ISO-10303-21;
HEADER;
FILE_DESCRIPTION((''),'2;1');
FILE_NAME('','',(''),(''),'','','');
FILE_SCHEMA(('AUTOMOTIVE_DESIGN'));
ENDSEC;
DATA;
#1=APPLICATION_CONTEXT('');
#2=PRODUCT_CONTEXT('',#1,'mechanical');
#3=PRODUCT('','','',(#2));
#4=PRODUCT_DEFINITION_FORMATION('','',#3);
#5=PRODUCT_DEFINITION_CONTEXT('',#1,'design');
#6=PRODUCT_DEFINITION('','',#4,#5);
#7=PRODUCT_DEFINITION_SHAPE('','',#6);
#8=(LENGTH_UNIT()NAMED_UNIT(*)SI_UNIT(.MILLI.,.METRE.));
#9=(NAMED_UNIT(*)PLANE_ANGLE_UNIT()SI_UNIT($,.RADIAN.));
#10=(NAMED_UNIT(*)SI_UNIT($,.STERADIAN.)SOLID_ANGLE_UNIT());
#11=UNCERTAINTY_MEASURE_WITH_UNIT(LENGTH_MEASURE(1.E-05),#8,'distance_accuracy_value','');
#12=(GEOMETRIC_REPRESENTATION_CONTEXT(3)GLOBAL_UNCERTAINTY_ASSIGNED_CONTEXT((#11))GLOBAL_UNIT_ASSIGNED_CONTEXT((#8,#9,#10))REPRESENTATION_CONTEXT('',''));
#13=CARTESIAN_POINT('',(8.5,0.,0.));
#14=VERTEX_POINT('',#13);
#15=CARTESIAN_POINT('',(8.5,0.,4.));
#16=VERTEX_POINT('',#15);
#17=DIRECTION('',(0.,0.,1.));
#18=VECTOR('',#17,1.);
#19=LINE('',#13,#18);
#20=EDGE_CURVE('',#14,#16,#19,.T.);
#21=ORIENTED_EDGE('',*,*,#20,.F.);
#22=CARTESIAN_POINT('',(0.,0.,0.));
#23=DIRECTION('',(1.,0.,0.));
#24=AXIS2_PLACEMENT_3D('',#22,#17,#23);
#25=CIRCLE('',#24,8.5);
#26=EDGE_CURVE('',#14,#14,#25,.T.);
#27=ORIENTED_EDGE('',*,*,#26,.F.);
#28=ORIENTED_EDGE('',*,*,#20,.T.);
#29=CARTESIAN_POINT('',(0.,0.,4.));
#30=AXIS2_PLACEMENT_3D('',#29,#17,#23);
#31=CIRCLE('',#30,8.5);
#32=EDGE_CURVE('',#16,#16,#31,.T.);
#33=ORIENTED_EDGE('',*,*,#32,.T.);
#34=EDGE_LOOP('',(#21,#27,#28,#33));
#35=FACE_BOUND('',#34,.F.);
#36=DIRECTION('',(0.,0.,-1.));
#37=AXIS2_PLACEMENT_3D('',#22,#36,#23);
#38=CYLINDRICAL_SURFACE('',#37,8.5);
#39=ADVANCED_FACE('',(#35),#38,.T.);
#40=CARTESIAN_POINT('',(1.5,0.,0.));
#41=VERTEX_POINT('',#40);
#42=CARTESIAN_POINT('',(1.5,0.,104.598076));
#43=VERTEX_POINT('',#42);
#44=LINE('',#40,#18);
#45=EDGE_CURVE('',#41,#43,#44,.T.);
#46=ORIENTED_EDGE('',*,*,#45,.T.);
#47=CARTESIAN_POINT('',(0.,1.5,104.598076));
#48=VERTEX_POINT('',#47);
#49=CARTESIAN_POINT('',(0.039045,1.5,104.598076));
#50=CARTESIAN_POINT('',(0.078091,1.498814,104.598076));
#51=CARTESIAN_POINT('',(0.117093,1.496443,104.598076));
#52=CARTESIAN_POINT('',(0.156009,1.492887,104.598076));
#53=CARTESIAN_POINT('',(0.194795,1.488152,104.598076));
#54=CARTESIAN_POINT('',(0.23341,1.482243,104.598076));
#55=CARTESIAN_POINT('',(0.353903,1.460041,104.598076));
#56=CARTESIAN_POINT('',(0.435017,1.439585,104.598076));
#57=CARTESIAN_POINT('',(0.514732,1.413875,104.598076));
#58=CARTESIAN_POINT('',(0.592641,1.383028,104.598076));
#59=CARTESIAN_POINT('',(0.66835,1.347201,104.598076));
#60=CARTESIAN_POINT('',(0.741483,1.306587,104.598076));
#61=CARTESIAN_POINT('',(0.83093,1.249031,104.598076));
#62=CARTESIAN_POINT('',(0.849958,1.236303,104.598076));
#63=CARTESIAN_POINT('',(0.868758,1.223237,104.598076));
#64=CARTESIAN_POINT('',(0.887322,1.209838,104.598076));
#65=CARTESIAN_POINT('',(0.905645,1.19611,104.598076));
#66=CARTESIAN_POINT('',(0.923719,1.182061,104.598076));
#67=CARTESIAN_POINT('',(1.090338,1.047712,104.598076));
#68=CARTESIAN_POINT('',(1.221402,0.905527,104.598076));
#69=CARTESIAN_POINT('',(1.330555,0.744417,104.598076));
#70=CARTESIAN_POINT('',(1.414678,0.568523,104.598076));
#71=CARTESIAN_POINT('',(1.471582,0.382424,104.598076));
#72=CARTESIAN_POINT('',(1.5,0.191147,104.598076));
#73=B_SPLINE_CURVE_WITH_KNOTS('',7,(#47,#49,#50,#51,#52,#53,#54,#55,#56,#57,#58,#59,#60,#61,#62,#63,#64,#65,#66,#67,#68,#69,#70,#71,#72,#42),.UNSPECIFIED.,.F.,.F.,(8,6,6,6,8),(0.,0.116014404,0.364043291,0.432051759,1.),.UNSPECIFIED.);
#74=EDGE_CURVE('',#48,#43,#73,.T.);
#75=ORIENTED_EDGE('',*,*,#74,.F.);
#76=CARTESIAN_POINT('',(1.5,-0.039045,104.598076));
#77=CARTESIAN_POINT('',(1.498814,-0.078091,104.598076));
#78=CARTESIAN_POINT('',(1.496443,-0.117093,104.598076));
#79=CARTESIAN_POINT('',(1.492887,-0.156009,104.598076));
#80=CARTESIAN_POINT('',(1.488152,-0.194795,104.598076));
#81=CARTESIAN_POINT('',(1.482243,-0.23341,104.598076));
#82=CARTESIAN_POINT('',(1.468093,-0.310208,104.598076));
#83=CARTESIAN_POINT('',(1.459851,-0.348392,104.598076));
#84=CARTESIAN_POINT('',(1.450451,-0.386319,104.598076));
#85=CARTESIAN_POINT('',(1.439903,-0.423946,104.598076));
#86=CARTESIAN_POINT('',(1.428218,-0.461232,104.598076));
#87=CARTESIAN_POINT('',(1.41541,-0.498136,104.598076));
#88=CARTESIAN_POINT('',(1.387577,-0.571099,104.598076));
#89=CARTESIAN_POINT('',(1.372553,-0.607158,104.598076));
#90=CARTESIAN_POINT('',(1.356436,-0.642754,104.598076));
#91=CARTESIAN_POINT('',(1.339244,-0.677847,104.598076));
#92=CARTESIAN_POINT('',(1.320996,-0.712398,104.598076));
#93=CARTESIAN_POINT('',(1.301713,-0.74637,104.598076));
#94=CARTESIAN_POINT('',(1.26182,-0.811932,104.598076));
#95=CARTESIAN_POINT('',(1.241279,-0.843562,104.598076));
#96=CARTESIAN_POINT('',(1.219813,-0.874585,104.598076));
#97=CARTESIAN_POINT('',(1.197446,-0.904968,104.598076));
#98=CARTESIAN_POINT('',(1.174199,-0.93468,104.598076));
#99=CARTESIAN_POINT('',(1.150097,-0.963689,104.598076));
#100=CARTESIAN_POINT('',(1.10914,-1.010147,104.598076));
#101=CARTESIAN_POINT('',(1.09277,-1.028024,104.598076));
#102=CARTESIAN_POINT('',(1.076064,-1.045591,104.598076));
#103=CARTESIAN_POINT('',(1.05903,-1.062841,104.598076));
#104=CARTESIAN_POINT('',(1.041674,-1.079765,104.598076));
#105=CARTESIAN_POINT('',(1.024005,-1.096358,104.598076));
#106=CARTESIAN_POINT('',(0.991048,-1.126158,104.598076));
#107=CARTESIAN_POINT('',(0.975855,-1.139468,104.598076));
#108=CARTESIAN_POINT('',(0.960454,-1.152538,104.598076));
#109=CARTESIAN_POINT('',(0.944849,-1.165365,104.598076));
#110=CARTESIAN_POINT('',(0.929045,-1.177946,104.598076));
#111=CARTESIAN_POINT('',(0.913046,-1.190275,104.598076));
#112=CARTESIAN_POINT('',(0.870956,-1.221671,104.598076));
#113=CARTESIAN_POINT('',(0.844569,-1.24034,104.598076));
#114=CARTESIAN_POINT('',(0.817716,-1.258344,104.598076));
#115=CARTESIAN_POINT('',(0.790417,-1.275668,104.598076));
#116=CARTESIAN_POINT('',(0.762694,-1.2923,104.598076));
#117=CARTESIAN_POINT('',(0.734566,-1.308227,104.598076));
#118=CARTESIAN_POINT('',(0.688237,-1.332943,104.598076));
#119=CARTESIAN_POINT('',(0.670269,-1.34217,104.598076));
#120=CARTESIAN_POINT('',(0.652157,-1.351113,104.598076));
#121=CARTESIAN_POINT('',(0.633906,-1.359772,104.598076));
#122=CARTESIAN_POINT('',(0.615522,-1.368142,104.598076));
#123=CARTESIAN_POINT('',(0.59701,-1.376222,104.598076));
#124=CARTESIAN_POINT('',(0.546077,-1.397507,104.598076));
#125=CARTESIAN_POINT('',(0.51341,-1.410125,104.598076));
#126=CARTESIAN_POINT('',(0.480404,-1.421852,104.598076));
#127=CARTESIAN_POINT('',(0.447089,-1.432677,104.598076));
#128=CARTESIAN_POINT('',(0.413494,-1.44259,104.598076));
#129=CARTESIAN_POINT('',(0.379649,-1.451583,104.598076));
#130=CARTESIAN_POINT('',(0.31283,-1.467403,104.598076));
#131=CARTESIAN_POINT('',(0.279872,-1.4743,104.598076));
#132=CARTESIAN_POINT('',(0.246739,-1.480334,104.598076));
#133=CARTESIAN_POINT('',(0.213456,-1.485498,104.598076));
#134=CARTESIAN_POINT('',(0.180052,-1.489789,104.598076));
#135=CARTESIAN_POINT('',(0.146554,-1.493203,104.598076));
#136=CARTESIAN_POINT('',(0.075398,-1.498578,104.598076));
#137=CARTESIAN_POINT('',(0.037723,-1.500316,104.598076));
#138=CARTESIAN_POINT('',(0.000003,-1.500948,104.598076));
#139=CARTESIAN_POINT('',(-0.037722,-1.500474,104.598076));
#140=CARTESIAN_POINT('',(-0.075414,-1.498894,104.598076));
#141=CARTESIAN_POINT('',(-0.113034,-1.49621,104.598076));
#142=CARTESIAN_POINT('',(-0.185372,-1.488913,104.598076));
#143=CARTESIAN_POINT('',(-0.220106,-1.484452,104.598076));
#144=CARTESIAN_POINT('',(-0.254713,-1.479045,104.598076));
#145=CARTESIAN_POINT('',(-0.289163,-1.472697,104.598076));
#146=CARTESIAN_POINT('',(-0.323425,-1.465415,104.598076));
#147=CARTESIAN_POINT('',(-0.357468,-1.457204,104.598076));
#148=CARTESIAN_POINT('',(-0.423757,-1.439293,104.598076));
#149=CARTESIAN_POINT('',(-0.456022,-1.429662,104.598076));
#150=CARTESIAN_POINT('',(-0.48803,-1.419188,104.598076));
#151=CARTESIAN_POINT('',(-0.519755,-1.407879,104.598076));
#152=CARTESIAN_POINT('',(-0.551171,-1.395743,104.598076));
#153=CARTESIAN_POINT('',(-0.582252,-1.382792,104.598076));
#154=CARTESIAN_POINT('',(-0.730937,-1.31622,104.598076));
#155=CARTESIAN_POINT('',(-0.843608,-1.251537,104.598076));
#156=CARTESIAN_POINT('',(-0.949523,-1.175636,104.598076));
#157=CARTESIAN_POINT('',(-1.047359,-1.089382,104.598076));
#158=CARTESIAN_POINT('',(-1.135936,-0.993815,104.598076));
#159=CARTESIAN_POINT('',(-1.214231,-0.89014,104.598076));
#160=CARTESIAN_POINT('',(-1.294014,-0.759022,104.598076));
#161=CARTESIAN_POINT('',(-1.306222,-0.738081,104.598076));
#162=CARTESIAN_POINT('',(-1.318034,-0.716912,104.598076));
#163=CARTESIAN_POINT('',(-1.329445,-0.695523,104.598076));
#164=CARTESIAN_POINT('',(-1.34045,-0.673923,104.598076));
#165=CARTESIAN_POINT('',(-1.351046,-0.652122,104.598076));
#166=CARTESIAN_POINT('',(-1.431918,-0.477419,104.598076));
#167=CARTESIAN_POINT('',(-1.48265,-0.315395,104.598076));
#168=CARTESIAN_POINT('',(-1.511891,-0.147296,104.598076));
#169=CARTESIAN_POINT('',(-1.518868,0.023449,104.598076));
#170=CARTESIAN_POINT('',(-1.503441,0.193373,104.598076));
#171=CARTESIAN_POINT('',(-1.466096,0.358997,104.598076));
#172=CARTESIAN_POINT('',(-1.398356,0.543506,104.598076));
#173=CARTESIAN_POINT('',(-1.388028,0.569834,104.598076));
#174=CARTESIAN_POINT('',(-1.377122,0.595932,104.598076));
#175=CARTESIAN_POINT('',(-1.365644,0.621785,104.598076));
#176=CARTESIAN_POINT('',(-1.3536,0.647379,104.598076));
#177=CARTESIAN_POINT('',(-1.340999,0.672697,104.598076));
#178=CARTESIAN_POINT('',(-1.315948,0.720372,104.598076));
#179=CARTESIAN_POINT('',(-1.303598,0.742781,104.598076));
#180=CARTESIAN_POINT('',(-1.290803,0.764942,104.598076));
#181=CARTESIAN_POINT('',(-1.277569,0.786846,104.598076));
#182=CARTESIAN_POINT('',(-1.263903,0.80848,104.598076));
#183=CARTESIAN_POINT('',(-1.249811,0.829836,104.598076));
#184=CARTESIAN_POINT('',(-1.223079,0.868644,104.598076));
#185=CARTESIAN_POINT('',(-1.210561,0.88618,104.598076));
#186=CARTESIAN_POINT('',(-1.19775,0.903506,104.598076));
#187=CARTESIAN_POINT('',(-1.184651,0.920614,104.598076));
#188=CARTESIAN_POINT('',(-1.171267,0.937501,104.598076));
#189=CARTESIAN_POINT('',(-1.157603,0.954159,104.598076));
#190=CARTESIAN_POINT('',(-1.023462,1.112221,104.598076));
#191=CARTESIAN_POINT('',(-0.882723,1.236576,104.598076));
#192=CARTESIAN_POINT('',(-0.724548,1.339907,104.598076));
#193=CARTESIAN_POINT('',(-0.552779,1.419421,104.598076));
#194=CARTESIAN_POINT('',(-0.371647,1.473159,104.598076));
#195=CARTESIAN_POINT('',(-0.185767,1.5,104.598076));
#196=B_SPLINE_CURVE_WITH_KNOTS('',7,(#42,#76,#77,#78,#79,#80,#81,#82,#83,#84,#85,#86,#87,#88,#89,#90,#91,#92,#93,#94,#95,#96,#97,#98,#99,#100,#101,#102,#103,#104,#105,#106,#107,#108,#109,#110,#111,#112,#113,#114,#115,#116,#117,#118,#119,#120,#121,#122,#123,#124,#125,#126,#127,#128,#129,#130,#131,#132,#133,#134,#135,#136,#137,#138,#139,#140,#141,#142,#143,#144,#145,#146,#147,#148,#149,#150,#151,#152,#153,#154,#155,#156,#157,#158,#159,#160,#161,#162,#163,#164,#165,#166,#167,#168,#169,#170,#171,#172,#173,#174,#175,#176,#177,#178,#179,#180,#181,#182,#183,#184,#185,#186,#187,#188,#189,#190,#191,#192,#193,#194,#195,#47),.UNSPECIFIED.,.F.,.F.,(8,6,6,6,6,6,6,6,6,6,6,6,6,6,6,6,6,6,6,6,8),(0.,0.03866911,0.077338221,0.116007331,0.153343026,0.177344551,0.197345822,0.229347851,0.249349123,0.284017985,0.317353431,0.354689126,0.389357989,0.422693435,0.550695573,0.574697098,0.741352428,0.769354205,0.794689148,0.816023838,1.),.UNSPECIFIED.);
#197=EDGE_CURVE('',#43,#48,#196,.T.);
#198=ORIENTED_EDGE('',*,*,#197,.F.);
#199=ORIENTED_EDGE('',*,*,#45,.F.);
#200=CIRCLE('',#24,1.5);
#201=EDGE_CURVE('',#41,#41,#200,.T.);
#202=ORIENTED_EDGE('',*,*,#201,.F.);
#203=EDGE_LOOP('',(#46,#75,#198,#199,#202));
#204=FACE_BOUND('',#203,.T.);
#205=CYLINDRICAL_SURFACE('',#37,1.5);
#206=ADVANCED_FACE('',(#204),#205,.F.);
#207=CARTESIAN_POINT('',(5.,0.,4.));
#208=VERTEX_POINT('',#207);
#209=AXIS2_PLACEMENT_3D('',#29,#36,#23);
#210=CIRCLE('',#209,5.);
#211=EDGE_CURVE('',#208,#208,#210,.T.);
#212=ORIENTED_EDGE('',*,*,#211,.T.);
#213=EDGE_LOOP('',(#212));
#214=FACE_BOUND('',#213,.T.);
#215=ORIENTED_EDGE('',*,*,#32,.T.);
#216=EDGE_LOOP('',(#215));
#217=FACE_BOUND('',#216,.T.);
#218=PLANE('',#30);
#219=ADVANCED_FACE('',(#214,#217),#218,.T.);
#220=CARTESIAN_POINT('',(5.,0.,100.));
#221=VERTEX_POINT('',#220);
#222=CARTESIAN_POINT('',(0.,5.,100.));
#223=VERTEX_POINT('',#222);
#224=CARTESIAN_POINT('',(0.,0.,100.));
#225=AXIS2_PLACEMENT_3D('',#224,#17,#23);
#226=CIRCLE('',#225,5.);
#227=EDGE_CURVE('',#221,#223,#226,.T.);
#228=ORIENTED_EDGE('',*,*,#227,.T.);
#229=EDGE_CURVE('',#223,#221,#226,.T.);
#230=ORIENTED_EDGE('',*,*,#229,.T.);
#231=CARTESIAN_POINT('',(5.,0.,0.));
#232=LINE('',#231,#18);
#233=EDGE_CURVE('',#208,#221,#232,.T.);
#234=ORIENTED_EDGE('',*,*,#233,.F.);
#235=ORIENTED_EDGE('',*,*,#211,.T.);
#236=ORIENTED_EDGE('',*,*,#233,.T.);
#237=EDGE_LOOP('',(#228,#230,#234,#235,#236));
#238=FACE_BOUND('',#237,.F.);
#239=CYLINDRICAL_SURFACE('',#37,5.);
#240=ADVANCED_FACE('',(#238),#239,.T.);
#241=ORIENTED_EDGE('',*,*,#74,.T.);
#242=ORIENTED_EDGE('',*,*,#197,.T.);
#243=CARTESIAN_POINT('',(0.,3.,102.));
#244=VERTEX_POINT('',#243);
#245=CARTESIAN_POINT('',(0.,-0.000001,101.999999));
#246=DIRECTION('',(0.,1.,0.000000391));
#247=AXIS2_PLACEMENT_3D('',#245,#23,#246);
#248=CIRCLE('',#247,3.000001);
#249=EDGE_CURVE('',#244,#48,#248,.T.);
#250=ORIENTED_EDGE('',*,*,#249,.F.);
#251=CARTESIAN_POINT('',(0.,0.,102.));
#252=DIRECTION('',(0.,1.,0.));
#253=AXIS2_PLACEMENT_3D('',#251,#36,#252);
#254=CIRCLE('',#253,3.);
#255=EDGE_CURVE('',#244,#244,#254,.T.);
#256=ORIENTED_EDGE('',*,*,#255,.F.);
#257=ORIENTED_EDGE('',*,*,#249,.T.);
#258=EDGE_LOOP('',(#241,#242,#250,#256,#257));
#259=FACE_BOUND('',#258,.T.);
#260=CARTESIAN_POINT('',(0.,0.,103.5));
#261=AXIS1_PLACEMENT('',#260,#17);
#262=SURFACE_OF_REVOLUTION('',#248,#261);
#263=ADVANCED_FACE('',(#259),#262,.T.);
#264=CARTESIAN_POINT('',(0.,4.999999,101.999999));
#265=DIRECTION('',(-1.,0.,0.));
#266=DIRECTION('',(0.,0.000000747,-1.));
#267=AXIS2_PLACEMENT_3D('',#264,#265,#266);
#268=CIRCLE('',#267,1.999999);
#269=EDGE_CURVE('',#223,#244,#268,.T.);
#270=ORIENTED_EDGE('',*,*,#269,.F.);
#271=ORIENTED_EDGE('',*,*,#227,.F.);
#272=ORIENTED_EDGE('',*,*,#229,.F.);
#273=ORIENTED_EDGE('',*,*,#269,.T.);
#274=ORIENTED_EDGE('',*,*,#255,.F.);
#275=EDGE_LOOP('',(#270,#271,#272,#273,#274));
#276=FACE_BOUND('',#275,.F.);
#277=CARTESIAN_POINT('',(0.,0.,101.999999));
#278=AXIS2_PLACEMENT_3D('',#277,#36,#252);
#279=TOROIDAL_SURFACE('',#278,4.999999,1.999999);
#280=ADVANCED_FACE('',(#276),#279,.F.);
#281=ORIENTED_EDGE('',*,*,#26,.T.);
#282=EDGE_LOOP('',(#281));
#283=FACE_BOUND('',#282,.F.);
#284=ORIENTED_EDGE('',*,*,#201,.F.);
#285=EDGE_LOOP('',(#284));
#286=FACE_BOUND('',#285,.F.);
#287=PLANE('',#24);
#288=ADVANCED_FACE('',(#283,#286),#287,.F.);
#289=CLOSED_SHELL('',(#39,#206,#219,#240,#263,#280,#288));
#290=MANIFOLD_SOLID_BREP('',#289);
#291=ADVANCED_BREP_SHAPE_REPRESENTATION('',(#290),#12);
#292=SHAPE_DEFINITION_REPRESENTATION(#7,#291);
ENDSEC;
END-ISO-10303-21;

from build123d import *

# Parameters (mm, degrees)
F0_R     = 8.5
F1_DEPTH = 4
F2_R     = 5
F3_DEPTH = 100
F8_R     = 1.5
F9_DEPTH = 109.5


with BuildPart() as f1:
    # F0 (on Top) → F1 (new body)
    with BuildSketch(Plane.XY):
        Circle(F0_R)
    extrude(amount=F1_DEPTH)

    # F2 (on Top) → F3 (join)
    with BuildSketch(Plane.XY):
        Circle(F2_R)
    extrude(amount=F3_DEPTH)

    # F4 (on Right) → F5 (revolve)
    with BuildSketch(Plane.YZ):
        with BuildLine():
            Line((3, 102), (0, 102))
            Line((0, 102), (0, 100))
            Line((0, 100), (5, 100))
            ThreePointArc((5, 100), (3.585786, 100.585786), (3, 102))
        make_face()
    revolve(axis=Axis((0, 0, 101), (0, 0, -1)))

    # F6 (on Right) → F7 (revolve)
    with BuildSketch(Plane.YZ):
        with BuildLine():
            Line((0, 105), (0, 102))
            Line((0, 102), (3, 102))
            ThreePointArc((3, 102), (2.12132, 104.12132), (0, 105))
        make_face()
    revolve(axis=Axis((0, 0, 103.5), (0, 0, 1)))

    # F8 (on Top) → F9 (cut)
    with BuildSketch(Plane.XY):
        Circle(F8_R)
    extrude(amount=F9_DEPTH, mode=Mode.SUBTRACT)


solid = f1.part
